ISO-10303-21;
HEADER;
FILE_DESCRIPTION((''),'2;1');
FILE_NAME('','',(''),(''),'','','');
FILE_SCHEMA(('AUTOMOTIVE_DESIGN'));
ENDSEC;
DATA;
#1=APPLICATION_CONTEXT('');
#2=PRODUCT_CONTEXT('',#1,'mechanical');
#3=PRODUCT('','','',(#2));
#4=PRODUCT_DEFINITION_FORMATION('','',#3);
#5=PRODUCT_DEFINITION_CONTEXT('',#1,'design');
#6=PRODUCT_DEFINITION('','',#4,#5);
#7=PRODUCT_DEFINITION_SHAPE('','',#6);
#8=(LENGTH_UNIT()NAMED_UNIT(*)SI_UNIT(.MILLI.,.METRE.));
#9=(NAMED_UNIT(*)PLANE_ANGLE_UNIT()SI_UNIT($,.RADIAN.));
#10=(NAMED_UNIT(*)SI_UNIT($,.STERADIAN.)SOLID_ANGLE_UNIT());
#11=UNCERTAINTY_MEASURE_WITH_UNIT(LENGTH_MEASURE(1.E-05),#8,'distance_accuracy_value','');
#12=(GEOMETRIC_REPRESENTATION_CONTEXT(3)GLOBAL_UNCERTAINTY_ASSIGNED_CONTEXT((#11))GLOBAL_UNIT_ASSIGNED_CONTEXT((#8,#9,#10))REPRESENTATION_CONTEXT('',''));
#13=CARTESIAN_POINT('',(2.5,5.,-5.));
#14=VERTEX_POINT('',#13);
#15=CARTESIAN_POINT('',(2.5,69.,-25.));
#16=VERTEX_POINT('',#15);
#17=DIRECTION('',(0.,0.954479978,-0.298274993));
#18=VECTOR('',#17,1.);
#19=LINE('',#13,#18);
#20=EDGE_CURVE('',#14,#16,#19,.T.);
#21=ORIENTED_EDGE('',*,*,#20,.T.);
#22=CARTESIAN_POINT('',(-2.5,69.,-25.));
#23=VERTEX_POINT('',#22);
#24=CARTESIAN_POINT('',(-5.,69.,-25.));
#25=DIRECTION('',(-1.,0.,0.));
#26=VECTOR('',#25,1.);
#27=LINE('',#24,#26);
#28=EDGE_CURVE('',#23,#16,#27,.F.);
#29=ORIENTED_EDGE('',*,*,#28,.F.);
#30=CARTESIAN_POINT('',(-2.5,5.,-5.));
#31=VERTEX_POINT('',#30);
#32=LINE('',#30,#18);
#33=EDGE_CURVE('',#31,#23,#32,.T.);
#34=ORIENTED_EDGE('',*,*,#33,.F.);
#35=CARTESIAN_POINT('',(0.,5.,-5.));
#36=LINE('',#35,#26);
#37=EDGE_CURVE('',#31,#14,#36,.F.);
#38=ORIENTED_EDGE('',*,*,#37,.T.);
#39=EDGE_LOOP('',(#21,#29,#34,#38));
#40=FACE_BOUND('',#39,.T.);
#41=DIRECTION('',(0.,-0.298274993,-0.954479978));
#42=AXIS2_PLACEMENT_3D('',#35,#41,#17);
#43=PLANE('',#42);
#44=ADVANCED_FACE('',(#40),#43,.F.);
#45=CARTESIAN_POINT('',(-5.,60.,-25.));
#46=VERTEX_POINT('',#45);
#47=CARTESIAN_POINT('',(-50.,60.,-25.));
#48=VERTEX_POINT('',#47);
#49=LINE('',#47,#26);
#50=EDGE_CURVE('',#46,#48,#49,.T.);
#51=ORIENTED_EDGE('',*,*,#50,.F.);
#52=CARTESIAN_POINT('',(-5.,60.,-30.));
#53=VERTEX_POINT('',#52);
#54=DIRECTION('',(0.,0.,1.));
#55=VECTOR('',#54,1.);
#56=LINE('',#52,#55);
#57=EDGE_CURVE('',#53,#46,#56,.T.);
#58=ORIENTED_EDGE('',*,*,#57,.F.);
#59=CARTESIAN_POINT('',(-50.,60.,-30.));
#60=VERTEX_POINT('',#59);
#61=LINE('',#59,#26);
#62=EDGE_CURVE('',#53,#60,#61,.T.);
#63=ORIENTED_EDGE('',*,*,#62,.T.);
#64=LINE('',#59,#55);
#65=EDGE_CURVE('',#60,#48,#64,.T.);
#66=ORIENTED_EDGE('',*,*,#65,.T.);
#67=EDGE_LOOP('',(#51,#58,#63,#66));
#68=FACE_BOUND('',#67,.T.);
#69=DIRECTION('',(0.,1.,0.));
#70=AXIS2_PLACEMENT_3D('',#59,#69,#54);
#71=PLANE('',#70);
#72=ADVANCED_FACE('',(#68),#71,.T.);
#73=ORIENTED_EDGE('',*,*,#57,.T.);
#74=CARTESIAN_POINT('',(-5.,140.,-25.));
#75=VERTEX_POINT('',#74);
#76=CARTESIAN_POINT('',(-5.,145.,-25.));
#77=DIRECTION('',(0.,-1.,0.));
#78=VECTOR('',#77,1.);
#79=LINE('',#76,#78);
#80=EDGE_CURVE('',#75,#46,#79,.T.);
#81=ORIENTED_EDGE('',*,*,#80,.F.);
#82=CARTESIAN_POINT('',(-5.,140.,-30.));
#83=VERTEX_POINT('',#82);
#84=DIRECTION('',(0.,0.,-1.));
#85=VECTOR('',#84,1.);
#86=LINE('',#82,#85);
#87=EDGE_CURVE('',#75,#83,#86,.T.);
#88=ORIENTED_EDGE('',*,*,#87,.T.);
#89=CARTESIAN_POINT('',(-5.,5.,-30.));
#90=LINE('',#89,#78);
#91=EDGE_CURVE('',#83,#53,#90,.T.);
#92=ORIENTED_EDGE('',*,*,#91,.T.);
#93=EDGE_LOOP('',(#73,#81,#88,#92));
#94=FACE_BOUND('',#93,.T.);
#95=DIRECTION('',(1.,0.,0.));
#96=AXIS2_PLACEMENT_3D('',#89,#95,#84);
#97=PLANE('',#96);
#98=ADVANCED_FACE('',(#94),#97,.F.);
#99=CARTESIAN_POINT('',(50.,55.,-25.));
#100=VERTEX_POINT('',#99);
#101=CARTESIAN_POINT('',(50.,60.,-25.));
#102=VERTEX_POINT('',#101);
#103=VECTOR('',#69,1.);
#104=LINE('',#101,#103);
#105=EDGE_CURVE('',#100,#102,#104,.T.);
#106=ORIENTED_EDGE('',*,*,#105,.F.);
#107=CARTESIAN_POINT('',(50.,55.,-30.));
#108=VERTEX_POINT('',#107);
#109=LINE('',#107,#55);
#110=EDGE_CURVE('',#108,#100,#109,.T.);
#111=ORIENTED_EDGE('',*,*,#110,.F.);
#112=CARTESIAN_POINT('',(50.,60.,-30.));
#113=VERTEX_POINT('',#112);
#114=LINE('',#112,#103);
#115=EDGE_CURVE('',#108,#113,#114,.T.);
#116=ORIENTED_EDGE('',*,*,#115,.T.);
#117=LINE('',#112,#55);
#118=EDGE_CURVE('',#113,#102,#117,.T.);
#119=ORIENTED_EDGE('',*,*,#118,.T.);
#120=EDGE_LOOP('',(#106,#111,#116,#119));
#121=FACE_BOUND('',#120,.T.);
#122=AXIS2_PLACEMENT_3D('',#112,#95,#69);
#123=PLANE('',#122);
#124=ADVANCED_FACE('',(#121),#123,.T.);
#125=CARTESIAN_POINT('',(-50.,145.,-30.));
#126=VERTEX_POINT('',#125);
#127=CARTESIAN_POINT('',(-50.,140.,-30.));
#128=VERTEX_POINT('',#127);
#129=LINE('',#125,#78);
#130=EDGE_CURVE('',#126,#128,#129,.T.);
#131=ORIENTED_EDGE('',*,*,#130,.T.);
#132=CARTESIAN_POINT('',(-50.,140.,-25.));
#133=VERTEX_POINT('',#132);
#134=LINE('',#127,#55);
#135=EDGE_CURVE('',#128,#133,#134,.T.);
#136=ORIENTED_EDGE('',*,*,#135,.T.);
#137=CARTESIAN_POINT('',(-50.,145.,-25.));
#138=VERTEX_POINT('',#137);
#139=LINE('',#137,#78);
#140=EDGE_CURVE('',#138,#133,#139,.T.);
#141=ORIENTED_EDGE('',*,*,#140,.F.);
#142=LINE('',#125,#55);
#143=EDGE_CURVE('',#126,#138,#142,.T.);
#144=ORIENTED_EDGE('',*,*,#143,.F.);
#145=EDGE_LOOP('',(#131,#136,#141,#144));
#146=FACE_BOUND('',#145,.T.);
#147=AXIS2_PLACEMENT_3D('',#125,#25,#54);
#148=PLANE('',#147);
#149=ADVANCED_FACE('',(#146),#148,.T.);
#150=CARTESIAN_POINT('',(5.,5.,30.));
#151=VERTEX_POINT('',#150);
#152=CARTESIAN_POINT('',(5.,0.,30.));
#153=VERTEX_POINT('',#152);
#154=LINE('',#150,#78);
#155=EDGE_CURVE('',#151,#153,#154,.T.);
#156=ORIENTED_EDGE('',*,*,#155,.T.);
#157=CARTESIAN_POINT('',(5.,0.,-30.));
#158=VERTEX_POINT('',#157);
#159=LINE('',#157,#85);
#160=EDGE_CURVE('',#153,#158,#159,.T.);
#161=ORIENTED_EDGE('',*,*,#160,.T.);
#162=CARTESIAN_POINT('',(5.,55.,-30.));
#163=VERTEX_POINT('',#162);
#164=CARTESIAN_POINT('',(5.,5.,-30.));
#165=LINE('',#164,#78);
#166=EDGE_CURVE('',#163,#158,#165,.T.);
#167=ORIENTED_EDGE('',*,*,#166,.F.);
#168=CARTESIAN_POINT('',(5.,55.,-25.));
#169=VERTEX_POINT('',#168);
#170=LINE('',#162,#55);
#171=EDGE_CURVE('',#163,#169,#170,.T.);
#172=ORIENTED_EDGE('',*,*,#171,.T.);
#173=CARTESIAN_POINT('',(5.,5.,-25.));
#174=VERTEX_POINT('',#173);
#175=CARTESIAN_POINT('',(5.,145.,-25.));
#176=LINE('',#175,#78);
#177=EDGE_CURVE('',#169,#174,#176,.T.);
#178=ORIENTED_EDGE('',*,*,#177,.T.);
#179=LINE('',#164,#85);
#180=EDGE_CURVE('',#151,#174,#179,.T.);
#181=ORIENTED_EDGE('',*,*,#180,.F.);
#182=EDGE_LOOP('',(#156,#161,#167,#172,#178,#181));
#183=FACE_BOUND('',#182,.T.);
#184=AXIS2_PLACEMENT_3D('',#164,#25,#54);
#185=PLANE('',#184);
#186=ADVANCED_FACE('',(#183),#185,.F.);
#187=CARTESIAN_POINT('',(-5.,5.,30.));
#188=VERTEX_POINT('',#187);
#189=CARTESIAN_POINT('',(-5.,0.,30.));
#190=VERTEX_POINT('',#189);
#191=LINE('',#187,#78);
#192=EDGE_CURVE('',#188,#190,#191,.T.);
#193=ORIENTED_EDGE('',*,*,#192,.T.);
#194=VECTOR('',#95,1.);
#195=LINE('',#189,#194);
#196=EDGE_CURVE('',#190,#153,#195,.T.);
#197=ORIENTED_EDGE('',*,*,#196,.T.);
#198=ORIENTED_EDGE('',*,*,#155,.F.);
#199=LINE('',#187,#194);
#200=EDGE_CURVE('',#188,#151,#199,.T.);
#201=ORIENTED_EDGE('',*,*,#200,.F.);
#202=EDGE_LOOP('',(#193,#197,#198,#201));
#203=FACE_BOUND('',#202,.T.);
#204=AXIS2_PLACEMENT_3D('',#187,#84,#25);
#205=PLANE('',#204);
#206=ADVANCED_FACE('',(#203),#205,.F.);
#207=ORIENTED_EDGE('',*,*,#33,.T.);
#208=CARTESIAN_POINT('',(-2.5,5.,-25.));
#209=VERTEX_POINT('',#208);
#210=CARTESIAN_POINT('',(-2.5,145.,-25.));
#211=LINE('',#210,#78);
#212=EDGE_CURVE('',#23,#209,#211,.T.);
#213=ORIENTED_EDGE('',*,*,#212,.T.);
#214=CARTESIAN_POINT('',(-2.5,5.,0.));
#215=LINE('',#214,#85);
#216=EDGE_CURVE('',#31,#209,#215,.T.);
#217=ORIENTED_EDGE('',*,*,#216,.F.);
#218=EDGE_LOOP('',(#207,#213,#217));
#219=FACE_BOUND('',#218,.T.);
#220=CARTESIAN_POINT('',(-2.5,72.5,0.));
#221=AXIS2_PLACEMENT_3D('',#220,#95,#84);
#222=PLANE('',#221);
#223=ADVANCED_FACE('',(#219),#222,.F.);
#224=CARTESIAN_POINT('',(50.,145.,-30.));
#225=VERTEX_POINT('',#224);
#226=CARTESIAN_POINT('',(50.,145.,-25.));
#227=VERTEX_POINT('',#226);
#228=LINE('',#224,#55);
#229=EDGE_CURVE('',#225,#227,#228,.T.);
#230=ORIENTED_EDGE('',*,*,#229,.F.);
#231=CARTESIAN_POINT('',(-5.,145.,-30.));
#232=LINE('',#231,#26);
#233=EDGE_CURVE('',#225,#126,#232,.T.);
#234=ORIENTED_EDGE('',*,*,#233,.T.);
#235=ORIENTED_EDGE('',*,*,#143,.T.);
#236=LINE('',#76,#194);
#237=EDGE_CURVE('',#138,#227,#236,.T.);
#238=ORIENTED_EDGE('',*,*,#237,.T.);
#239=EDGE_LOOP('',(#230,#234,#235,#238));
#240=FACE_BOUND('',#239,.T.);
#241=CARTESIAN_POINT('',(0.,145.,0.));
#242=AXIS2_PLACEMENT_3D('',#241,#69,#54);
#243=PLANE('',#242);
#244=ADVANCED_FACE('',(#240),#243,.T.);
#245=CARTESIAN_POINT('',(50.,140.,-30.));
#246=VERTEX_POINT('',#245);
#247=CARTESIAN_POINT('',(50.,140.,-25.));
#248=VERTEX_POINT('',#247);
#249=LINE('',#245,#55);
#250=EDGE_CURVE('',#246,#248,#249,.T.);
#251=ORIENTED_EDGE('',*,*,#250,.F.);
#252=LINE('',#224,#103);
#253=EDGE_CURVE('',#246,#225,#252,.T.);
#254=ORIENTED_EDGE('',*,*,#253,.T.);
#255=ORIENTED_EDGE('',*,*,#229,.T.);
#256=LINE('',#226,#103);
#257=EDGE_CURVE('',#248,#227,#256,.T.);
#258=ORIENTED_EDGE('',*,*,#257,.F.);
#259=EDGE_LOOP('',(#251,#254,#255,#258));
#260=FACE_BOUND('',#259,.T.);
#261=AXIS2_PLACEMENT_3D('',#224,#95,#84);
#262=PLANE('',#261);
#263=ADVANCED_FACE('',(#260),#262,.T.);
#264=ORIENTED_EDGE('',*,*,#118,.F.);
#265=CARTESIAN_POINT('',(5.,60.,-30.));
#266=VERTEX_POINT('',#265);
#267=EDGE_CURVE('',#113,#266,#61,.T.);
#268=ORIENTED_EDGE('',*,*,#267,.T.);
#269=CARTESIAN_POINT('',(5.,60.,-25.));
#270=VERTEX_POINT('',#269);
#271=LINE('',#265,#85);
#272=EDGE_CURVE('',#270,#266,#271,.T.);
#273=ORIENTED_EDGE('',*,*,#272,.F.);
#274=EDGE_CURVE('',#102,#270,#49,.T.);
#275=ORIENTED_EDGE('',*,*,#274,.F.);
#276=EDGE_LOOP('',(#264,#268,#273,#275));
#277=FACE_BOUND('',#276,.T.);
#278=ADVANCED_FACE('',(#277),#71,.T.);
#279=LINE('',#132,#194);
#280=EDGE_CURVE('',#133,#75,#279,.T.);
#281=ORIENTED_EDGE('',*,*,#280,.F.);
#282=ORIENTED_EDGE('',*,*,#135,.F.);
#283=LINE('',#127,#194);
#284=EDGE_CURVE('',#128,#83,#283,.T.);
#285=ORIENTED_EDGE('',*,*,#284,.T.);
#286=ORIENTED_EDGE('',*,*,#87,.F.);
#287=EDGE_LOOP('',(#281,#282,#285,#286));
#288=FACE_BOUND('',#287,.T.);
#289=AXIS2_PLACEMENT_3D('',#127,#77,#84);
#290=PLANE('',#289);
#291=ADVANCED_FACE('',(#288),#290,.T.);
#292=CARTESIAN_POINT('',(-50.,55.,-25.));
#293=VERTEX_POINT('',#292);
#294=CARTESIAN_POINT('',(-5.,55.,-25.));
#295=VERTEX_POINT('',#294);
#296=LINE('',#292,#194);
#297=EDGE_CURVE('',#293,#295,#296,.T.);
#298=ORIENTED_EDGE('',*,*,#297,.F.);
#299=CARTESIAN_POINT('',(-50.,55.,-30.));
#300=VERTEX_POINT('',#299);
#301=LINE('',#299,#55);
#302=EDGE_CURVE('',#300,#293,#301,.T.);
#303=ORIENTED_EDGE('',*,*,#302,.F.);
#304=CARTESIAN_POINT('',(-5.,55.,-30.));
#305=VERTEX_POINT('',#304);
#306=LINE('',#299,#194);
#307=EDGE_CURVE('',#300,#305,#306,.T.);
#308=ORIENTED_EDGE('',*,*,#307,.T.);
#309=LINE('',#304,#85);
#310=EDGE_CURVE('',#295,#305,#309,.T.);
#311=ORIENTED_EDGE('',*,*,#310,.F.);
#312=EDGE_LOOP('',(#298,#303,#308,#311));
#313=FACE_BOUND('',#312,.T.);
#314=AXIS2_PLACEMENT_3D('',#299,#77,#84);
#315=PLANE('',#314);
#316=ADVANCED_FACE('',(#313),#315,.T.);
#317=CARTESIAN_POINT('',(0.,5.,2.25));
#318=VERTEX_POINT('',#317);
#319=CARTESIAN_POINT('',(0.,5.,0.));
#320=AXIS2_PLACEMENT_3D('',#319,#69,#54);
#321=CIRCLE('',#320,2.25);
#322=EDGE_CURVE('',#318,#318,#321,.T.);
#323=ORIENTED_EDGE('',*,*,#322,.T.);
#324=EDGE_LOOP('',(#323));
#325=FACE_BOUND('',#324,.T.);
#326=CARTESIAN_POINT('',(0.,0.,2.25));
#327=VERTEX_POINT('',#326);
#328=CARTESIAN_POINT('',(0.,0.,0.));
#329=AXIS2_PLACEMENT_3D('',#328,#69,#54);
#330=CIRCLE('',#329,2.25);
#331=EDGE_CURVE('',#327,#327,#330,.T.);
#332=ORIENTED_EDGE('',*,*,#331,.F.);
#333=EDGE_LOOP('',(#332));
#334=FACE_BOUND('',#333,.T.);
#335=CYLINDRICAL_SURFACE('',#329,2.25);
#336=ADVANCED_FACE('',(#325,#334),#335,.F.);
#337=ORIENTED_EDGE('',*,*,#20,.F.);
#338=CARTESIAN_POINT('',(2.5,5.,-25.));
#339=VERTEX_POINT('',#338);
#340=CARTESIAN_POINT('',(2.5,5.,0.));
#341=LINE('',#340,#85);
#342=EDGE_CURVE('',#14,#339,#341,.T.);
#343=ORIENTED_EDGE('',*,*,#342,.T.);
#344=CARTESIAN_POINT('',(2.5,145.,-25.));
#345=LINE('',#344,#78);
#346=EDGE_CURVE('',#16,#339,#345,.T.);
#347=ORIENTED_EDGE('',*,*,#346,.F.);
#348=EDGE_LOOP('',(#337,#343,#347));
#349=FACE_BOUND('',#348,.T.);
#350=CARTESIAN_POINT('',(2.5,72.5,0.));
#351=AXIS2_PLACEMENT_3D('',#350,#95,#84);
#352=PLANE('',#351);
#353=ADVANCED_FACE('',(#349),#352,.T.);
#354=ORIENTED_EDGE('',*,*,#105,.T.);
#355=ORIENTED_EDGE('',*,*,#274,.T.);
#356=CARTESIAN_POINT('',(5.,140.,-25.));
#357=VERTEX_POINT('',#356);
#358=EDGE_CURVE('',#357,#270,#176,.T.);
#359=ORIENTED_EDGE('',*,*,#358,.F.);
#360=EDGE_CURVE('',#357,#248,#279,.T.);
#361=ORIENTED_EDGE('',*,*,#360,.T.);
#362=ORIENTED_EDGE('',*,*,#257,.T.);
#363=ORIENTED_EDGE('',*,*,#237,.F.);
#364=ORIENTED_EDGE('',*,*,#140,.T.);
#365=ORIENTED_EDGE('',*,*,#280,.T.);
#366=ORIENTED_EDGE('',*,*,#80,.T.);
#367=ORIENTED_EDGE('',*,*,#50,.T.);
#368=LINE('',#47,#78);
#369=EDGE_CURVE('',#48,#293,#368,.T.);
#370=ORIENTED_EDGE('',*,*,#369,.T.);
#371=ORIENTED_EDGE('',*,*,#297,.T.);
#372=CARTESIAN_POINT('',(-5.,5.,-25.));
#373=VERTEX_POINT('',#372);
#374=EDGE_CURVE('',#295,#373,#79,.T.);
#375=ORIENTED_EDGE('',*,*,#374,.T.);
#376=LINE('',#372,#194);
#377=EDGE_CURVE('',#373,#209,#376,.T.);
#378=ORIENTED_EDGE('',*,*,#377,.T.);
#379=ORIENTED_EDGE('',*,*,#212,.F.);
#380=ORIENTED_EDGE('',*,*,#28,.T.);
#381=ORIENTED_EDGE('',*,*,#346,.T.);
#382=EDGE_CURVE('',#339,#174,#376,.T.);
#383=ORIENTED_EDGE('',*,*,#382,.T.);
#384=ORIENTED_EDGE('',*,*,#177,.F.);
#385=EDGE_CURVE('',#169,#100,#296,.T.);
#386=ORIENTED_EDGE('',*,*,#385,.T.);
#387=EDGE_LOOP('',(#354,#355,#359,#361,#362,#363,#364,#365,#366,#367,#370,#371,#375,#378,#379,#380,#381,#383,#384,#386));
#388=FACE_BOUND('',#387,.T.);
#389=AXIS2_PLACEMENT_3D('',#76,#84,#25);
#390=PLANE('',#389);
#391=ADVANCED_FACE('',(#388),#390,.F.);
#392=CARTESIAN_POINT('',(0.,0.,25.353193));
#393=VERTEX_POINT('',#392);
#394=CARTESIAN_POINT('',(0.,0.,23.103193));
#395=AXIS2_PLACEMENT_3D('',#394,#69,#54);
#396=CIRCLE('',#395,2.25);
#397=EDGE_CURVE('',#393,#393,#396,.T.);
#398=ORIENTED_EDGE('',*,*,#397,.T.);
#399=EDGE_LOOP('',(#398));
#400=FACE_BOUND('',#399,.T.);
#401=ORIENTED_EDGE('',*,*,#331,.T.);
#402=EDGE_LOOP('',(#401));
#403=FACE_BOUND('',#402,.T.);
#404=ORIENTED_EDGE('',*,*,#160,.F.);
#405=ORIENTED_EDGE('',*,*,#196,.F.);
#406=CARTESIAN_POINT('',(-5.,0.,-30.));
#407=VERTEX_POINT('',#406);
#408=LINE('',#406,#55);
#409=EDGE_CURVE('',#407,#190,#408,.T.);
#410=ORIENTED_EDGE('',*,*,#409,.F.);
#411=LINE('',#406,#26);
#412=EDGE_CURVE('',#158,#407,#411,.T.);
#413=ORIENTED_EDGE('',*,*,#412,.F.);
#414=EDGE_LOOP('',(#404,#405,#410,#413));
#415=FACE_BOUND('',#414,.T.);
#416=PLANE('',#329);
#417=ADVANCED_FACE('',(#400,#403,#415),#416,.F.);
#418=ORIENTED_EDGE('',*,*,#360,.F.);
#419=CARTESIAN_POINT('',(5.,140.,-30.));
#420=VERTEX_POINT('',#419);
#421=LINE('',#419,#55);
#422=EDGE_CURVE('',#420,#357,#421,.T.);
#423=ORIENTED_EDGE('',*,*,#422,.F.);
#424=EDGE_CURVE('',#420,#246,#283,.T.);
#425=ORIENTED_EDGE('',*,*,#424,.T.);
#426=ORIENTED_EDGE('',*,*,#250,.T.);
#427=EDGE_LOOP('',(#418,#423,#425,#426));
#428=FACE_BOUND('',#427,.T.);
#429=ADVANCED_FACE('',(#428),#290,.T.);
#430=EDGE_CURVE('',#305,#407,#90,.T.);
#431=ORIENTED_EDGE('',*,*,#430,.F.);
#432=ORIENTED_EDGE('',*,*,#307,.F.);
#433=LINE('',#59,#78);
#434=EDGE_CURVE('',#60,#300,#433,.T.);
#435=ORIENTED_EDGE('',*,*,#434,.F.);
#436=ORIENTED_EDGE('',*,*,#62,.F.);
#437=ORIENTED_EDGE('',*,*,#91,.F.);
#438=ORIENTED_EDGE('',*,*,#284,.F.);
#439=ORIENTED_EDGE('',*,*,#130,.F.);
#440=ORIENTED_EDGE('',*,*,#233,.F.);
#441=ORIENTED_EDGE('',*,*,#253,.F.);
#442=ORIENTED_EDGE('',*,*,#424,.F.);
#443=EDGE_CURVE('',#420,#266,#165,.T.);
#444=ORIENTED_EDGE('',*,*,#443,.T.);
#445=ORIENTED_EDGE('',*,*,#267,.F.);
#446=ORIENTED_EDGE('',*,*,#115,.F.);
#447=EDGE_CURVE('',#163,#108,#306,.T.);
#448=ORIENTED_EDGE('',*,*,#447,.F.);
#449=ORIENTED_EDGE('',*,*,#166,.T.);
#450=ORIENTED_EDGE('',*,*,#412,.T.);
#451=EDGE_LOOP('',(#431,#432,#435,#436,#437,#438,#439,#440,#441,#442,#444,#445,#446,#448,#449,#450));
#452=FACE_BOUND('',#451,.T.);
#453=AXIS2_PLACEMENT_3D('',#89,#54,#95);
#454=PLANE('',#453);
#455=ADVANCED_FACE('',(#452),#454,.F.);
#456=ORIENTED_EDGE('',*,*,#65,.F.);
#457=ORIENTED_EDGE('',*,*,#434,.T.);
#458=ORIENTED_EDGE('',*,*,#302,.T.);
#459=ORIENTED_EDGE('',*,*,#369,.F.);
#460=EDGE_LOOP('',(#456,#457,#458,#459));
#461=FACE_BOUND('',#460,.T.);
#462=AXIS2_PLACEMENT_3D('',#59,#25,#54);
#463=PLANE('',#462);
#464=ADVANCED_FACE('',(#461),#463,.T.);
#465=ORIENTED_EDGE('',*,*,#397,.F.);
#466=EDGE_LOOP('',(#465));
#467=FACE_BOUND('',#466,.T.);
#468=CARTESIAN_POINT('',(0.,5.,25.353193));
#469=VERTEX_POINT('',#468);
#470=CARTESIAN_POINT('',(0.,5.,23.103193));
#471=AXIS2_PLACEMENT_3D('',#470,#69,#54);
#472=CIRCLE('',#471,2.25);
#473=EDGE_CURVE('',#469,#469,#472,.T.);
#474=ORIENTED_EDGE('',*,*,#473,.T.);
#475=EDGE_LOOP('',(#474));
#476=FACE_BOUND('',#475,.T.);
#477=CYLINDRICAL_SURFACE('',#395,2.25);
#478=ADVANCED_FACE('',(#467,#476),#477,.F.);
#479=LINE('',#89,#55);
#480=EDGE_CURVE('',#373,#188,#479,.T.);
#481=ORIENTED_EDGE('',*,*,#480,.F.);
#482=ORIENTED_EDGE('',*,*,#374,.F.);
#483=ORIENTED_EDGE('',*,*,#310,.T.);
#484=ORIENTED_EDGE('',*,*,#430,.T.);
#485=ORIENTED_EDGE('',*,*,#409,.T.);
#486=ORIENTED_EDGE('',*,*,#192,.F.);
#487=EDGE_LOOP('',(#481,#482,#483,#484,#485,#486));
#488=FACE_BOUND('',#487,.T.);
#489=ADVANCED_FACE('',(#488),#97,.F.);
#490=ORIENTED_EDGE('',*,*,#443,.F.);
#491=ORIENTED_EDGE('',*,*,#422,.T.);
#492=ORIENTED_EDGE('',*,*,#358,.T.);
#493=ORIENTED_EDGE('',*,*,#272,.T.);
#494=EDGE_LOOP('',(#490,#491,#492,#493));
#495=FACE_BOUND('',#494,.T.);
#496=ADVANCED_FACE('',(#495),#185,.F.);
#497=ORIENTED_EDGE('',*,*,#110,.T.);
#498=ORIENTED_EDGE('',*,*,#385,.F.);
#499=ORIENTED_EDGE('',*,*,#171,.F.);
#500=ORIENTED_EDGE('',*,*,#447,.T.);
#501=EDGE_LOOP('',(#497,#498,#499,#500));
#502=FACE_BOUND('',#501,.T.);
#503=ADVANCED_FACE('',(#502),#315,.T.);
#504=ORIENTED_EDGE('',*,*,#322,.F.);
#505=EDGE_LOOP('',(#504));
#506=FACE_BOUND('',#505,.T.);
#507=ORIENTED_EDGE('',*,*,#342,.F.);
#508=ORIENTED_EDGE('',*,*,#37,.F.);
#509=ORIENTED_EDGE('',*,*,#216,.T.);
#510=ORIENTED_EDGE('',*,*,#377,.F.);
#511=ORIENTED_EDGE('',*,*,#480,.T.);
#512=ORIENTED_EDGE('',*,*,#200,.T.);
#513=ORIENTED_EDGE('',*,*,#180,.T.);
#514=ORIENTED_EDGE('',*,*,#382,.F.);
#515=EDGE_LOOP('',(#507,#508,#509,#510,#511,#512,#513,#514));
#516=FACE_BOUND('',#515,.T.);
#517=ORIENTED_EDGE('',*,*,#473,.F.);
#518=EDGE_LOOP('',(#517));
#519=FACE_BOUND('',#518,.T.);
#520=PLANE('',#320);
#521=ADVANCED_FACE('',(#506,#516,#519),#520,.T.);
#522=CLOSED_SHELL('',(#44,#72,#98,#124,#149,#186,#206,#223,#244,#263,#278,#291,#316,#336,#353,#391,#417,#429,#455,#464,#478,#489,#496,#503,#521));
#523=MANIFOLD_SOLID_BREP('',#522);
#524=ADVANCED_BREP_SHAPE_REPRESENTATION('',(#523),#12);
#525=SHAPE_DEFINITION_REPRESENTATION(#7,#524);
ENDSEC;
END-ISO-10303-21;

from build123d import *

# Parameters (mm, degrees)
SKETCH1_W               = 10
SKETCH1_H               = 60
BOSS_EXTRUDE1_DEPTH     = 5
SKETCH2_W               = 10
SKETCH2_H               = 5
BOSS_EXTRUDE2_DEPTH     = 140
RIB1_REACH              = 150.155
SKETCH3_WALL_W          = 365.362866258
SKETCH3_WALL_H          = 5
SKETCH4_W               = 100
SKETCH4_H               = 5
BOSS_EXTRUDE3_DEPTH     = 5
CUT_EXTRUDE1_DEPTH      = 152.657508881
CUT_EXTRUDE1_DEPTH_BACK = 152.657508881
SKETCH6_R               = 2.25


with BuildPart() as part:
    # Sketch1 → Boss-Extrude1 (new body)
    with BuildSketch(Plane(origin=(0, 0, 0), x_dir=(1, 0, 0), z_dir=(0, 1, 0))):
        Rectangle(SKETCH1_W, SKETCH1_H)
    extrude(amount=BOSS_EXTRUDE1_DEPTH)

    # Sketch2 → Boss-Extrude2 (add)
    with BuildSketch(Plane(origin=(0, 5, 0), x_dir=(1, 0, 0), z_dir=(0, 1, 0))):
        with Locations((0, 27.5)):
            Rectangle(SKETCH2_W, SKETCH2_H)
    extrude(amount=BOSS_EXTRUDE2_DEPTH)

    # Sketch3 wall → Rib1 (add, up to next)
    with BuildSketch(Plane(origin=(0, 37, -15), x_dir=(0, 0.954479978035, -0.298274993136), z_dir=(0, 0.298274993136, 0.954479978035)), mode=Mode.PRIVATE) as rib1_sk1:
        Rectangle(SKETCH3_WALL_W, SKETCH3_WALL_H)
    rib1_tool1 = extrude(rib1_sk1.sketch, amount=-RIB1_REACH, mode=Mode.PRIVATE) - part.part
    add(rib1_tool1.solids().sort_by_distance((0, 37, -15))[0])

    # Sketch4 → Boss-Extrude3 (add)
    with BuildSketch(Plane.XY.offset(-25)):
        with Locations((0, 142.5)):
            Rectangle(SKETCH4_W, SKETCH4_H)
        with Locations((0, 57.5)):
            Rectangle(SKETCH4_W, SKETCH4_H)
    extrude(amount=-BOSS_EXTRUDE3_DEPTH)

    # Sketch6 → Cut-Extrude1 (cut, two sides: drawn at the far end of the back side and taken through both)
    with BuildSketch(Plane(origin=(0, 5, 0), x_dir=(1, 0, 0), z_dir=(0, 1, 0)).offset(-CUT_EXTRUDE1_DEPTH_BACK)):
        with Locations(Location((0, 0, 0), (0, 0, 270))):
            Circle(SKETCH6_R)
        with Locations(Location((0, -23.103193392, 0), (0, 0, 270))):
            Circle(SKETCH6_R)
    extrude(amount=CUT_EXTRUDE1_DEPTH + CUT_EXTRUDE1_DEPTH_BACK, mode=Mode.SUBTRACT)


solid = part.part
